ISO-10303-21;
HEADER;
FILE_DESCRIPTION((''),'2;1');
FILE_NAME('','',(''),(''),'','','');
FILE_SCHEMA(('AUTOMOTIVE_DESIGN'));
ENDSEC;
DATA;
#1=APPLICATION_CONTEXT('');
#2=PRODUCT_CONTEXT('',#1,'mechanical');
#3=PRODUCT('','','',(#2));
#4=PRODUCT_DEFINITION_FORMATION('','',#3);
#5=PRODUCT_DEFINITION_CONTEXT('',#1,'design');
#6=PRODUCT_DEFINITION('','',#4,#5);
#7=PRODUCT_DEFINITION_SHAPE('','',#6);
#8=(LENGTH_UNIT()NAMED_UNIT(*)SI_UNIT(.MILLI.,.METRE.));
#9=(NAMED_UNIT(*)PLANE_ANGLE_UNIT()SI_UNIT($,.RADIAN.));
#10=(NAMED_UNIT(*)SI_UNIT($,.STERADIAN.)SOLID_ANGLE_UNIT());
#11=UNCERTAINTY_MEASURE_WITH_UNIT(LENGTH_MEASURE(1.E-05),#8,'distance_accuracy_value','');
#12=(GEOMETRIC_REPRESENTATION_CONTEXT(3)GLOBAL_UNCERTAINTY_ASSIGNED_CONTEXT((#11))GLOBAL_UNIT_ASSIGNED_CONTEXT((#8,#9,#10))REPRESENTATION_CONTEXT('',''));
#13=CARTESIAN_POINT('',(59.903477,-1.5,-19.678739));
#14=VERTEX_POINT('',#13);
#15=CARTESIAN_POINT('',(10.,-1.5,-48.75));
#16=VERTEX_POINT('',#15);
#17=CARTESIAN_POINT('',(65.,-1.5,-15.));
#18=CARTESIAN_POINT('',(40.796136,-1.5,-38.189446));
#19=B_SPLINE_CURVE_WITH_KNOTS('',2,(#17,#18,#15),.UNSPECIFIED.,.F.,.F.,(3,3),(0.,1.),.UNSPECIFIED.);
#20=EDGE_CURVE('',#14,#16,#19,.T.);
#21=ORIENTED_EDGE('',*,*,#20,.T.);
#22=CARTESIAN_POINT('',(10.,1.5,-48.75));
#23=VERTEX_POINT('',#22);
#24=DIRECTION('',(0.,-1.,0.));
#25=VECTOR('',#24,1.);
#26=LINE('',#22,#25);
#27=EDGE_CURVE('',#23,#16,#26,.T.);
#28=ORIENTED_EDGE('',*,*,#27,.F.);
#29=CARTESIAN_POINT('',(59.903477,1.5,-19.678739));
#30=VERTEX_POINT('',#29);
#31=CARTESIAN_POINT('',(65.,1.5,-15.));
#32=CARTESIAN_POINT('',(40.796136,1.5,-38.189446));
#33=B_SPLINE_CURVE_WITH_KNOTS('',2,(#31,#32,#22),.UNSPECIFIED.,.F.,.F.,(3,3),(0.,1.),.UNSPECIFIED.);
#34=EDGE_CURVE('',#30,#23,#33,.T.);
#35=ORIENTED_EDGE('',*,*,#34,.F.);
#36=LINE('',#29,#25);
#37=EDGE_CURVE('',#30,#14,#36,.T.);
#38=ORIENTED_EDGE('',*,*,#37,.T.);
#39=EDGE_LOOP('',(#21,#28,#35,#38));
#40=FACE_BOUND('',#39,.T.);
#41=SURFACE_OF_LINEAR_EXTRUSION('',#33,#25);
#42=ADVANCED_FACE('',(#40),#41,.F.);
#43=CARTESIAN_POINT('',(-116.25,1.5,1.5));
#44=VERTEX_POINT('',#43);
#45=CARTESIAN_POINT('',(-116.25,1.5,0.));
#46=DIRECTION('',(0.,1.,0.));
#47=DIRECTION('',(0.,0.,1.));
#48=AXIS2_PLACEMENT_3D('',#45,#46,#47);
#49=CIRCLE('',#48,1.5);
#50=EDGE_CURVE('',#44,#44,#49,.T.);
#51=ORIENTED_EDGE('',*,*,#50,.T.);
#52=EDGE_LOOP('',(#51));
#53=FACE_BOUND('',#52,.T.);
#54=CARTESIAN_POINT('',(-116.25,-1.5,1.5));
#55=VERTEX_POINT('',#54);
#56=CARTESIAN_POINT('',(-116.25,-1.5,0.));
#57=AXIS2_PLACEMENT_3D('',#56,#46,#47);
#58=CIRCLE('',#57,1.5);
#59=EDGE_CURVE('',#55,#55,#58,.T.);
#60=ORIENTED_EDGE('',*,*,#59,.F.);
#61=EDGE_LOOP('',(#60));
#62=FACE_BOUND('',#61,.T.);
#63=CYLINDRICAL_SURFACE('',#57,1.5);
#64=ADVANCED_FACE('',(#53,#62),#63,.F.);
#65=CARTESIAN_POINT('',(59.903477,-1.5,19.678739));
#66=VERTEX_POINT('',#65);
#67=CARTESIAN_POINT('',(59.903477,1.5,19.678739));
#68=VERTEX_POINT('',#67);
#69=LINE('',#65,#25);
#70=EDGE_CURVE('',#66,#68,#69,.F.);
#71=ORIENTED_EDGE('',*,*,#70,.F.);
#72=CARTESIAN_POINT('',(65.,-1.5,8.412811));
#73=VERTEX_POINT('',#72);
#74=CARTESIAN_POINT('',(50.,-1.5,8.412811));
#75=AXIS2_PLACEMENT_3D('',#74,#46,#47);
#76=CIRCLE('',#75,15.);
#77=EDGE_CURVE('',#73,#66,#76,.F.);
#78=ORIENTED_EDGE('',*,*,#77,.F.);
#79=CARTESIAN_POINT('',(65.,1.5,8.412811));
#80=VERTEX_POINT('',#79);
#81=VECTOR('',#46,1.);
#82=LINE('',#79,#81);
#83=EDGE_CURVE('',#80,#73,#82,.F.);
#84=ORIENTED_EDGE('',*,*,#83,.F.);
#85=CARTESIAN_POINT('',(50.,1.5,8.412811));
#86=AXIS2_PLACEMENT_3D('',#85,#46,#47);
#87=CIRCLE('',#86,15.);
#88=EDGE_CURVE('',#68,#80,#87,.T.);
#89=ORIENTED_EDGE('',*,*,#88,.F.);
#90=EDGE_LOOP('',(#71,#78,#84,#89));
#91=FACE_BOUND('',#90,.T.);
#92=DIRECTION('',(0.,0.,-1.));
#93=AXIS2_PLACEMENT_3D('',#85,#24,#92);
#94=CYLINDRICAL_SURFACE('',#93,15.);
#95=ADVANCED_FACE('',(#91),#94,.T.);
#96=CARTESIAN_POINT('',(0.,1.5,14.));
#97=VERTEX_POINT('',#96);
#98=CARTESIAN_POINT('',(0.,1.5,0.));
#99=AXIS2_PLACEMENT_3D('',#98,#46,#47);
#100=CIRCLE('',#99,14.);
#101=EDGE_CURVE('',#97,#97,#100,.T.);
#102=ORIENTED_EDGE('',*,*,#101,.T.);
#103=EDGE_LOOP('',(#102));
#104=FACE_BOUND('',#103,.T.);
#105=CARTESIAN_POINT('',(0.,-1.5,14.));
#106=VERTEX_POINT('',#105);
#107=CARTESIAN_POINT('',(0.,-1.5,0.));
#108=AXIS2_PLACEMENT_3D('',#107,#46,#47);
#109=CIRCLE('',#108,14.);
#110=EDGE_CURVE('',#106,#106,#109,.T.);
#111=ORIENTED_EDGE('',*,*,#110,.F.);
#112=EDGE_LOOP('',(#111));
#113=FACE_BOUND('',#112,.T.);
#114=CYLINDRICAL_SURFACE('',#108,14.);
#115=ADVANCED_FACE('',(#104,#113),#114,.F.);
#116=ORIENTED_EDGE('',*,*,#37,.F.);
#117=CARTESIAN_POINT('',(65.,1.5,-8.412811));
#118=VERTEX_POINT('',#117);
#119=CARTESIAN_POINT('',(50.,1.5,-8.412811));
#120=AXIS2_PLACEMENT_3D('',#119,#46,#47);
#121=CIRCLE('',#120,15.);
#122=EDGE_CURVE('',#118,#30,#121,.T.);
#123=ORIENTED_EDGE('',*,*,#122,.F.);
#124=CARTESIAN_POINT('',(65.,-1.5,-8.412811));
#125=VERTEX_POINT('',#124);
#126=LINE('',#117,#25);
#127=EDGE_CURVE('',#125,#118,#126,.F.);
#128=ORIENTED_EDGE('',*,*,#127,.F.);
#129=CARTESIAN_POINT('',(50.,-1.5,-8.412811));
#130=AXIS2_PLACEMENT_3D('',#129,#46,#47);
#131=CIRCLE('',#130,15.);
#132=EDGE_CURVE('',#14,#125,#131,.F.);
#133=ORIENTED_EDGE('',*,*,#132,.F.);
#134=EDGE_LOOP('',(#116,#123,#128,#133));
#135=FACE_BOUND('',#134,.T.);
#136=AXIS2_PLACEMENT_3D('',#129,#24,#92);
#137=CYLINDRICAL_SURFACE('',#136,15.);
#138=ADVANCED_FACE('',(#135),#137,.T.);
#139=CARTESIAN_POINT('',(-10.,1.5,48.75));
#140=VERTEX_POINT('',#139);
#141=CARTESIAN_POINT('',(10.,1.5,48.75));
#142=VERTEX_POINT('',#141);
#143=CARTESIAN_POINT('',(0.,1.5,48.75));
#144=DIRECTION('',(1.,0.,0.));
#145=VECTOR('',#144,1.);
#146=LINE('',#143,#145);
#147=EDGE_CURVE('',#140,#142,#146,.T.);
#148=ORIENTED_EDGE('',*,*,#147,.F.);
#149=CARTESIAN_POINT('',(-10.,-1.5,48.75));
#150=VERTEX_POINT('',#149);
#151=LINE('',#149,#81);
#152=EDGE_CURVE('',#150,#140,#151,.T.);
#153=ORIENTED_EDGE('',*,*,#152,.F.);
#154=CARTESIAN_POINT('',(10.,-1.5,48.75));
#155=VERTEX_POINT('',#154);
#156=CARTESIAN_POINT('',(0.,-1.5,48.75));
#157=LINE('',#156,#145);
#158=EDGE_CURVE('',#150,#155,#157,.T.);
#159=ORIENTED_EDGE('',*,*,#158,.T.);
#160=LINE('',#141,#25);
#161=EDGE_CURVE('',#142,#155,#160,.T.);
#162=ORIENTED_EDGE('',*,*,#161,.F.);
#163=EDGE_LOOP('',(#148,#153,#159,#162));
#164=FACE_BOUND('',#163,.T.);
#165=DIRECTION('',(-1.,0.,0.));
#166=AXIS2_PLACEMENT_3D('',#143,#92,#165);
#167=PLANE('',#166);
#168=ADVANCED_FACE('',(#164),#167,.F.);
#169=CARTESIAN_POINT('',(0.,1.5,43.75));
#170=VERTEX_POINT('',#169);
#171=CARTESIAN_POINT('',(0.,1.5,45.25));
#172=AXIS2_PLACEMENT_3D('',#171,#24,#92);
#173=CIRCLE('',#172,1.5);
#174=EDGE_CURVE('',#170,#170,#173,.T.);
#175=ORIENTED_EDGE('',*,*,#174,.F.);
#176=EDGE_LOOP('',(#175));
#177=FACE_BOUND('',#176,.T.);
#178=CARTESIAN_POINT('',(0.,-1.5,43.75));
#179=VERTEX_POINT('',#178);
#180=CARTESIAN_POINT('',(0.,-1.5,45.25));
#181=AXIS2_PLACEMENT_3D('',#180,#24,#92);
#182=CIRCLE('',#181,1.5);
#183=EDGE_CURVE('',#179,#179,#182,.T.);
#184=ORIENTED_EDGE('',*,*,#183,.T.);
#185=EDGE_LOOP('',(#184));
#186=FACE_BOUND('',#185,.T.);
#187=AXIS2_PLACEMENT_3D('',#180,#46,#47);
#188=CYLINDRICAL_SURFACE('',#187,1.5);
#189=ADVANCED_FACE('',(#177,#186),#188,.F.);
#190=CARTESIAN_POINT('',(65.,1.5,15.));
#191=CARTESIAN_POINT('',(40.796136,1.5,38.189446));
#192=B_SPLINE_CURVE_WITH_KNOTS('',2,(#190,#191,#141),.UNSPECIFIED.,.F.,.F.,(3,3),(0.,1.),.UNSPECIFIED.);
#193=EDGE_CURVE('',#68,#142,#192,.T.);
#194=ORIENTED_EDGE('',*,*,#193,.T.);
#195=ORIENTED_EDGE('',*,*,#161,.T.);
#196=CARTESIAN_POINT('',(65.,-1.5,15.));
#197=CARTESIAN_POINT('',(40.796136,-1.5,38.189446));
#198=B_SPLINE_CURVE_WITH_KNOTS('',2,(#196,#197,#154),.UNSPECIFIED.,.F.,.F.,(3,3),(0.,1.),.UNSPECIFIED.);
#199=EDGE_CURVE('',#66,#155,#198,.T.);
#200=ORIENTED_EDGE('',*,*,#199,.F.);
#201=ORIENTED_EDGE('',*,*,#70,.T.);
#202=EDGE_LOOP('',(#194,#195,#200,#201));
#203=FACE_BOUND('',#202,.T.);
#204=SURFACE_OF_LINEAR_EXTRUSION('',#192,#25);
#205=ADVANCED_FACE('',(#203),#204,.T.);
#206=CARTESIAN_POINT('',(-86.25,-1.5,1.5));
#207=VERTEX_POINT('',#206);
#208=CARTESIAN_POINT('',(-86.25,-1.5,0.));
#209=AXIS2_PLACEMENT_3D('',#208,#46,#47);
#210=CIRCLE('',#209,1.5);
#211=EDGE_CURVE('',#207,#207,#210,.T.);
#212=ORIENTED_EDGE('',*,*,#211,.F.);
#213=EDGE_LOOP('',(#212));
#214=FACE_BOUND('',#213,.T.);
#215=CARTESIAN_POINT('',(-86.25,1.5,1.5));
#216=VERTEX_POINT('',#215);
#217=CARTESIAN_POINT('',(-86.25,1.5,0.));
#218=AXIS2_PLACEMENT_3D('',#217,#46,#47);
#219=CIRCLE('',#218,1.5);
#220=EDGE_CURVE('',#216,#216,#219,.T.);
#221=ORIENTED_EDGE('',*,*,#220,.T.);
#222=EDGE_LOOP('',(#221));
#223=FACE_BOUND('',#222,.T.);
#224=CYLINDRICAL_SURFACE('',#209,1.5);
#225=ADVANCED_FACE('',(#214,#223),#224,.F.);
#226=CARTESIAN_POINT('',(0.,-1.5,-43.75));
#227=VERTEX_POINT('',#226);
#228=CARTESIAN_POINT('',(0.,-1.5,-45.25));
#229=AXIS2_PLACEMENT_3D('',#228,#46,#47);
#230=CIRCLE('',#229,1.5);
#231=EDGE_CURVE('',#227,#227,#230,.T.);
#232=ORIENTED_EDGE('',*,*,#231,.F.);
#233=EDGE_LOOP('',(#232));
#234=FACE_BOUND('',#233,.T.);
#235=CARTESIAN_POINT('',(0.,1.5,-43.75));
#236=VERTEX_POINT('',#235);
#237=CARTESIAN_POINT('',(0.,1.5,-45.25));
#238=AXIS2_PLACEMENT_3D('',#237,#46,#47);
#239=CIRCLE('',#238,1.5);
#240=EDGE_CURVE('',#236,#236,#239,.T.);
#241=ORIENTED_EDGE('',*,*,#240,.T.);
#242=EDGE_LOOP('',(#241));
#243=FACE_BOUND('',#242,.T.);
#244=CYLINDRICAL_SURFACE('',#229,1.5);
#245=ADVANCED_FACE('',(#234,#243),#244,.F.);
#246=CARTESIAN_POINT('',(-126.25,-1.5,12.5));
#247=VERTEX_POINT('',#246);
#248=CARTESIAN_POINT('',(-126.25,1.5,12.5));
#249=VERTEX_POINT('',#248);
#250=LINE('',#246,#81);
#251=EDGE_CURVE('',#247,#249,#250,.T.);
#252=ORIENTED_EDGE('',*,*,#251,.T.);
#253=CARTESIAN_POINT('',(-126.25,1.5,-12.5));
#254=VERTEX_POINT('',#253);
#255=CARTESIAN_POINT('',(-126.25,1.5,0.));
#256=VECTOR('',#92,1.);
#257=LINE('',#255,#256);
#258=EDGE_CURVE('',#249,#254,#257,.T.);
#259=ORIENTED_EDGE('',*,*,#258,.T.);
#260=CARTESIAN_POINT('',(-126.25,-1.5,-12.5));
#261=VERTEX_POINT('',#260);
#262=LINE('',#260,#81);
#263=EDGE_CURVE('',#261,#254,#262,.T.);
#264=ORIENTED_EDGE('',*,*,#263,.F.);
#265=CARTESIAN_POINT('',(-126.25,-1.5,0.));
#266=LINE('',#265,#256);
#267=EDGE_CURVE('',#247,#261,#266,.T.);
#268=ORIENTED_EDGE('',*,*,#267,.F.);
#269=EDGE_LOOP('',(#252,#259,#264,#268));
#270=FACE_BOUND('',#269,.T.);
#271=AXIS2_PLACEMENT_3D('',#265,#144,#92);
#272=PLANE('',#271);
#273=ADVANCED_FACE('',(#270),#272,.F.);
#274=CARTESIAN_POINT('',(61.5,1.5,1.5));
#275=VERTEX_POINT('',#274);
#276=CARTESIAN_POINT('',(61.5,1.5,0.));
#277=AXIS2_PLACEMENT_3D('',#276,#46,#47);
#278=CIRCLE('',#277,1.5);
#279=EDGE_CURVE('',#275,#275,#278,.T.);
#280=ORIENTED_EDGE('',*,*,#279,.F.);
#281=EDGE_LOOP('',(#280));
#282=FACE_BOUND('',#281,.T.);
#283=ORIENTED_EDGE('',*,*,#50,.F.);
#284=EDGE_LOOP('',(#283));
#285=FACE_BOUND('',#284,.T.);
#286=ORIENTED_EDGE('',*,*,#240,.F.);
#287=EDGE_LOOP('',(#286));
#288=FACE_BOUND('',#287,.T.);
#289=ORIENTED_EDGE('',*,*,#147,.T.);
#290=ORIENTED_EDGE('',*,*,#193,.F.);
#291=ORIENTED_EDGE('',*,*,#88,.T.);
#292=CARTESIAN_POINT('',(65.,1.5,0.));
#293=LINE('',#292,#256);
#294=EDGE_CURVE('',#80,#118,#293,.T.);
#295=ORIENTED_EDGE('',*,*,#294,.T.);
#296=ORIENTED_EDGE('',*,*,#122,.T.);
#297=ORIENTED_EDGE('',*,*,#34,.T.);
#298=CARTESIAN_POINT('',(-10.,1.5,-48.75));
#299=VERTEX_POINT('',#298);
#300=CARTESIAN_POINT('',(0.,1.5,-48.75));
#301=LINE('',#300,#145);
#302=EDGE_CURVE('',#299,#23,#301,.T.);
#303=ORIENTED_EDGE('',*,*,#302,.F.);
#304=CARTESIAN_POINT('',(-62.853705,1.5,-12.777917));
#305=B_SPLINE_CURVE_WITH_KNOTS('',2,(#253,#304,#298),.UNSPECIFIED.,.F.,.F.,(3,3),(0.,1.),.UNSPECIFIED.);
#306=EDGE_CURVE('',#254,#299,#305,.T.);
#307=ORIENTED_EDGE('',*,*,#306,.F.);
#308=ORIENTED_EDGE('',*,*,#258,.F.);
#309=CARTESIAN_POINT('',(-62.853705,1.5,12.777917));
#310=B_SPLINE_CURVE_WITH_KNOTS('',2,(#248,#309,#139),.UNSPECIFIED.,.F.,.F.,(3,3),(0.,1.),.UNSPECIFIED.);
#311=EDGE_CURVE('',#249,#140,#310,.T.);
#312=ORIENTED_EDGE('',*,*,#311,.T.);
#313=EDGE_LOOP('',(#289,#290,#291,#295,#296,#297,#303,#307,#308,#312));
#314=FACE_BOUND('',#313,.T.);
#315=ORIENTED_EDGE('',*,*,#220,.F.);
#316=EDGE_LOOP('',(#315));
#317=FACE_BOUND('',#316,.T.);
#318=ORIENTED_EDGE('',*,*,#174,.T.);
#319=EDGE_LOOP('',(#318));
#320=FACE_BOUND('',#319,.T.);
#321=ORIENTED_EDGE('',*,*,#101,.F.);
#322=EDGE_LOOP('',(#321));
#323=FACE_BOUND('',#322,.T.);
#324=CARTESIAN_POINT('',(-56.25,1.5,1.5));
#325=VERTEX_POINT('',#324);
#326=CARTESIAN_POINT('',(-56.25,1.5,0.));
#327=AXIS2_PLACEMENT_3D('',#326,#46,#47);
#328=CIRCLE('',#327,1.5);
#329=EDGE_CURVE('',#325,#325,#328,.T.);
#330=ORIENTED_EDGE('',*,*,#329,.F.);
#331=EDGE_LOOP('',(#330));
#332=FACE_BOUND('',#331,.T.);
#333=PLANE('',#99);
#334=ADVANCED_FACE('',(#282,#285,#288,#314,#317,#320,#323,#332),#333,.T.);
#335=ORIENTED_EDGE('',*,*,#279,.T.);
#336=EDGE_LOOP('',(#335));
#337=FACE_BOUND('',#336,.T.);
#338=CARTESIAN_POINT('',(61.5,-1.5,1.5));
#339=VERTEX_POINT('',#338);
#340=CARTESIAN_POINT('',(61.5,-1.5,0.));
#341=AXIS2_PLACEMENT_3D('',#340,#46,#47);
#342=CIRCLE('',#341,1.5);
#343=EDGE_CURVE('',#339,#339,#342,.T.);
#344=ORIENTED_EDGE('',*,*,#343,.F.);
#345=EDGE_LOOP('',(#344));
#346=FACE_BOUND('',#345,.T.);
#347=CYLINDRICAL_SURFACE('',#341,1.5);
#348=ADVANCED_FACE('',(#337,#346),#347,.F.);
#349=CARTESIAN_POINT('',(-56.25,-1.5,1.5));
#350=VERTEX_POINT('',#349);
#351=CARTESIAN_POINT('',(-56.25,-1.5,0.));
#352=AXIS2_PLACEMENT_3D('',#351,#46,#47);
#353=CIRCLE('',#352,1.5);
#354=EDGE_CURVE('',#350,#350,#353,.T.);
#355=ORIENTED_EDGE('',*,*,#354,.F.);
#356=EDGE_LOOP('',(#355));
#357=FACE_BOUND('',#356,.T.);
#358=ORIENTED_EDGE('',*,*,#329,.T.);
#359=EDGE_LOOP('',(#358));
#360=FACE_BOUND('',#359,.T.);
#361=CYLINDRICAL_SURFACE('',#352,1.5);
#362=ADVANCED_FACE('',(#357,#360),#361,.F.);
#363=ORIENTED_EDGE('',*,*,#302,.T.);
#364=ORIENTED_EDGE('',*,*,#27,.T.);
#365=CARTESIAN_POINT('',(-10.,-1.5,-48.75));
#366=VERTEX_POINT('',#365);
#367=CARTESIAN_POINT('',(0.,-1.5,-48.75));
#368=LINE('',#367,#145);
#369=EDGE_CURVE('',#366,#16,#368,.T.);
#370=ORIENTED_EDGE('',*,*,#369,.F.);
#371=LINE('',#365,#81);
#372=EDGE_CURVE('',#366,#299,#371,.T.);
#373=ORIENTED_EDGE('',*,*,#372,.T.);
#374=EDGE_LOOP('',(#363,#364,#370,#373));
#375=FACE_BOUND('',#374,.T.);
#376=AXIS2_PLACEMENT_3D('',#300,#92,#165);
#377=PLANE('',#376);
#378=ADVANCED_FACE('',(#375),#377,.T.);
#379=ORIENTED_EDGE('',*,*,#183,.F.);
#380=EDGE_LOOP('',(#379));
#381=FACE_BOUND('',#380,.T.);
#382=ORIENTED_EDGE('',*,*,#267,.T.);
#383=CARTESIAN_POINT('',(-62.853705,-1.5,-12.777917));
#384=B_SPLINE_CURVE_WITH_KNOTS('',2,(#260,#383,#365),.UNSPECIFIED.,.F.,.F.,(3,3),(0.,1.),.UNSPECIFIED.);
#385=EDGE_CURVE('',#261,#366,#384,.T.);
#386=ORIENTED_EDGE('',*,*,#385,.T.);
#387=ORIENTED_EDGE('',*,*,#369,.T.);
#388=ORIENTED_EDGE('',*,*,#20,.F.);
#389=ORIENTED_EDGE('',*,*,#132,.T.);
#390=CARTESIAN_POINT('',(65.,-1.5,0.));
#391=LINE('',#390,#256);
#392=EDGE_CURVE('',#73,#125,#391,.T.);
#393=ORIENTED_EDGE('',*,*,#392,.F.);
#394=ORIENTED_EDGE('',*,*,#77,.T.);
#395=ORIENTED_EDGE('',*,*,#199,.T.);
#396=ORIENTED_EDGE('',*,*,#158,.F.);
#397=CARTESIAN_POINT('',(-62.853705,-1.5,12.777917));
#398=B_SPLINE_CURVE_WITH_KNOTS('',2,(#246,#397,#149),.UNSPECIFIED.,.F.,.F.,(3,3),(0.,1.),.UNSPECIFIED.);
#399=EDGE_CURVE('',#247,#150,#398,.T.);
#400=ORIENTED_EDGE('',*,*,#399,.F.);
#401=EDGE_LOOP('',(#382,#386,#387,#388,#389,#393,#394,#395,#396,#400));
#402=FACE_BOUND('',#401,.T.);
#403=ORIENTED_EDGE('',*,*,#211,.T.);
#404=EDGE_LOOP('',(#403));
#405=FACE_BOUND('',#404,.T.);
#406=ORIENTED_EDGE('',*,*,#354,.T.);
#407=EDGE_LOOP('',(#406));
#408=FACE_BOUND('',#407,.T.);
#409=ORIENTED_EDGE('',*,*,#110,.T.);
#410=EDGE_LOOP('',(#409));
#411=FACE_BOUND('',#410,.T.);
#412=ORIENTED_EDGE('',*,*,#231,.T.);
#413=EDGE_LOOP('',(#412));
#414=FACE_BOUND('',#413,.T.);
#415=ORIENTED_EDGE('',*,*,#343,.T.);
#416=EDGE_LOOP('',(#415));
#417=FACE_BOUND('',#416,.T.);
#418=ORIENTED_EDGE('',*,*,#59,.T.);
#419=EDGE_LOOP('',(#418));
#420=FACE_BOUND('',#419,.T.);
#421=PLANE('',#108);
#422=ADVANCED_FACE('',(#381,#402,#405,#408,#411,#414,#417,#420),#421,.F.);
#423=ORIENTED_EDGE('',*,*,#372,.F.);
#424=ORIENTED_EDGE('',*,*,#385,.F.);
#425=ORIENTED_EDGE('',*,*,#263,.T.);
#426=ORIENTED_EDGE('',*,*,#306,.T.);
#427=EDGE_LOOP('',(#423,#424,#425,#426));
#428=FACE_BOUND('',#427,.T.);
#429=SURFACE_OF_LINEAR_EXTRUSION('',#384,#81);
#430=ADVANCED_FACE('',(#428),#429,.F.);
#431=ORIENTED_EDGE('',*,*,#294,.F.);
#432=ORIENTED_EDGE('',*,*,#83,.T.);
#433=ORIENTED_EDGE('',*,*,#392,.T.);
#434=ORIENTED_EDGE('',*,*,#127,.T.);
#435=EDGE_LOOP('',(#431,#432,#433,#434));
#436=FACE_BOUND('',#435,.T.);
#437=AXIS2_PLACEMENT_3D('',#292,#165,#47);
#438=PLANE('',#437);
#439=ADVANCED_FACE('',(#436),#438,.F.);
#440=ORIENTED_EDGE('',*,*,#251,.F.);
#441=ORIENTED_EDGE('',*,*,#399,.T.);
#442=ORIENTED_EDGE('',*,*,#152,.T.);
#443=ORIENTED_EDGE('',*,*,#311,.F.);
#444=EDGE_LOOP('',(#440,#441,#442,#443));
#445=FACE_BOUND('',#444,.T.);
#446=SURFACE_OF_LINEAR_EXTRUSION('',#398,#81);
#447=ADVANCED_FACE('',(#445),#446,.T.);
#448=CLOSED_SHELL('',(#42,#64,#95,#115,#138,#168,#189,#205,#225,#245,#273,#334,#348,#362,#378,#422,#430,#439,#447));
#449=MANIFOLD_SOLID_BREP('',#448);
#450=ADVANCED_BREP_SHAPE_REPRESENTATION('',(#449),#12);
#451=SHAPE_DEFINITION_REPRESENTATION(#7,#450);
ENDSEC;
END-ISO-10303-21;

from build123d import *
from build123d.topology import SkipClean

# Parameters (mm, degrees)
BOSS_EXTRUDE1_DEPTH  = 1.5
SKETCH2_R            = 1.5
CUT_EXTRUDE1_DEPTH   = 82.305365895
FILLET1_R            = 15
FILLET1_OF_MIRROR2_R = 15
BOSS_EXTRUDE2_DEPTH  = 1.5
SKETCH4_R            = 14
CUT_EXTRUDE2_DEPTH   = 136.368478737


with BuildPart() as part:
    # Sketch1 → Boss-Extrude1 (new, symmetric)
    with BuildSketch(Plane(origin=(0, 0, 0), x_dir=(1, 0, 0), z_dir=(0, 1, 0))):
        with BuildLine():
            Line((0, 48.75), (0, 0))
            Line((0, 0), (65, 0))
            Line((65, 0), (65, 15))
            add(Edge.make_bspline(
                [(65, 15), (40.796135722, 38.189445994), (10, 48.75)],
                knots=[0, 0, 0, 1, 1, 1], degree=2))
            Line((10, 48.75), (0, 48.75))
        make_face()
    boss_extrude1 = extrude(amount=BOSS_EXTRUDE1_DEPTH, both=True)

    # Sketch2 → Cut-Extrude1 (cut, through all)
    with BuildSketch(Plane(origin=(0, 1.5, 0), x_dir=(1, 0, 0), z_dir=(0, 1, 0))):
        with Locations((0, 45.25)):
            Circle(SKETCH2_R)
        with Locations((61.5, 0)):
            Circle(SKETCH2_R)
    cut_extrude1 = extrude(amount=-CUT_EXTRUDE1_DEPTH, mode=Mode.SUBTRACT)

    # Fillet1
    fillet1_edges = [part.edges().sort_by_distance(p)[0] for p in [
        (65, 0.75, -15),
    ]]
    fillet(fillet1_edges, radius=FILLET1_R)

    # Mirror2: Boss-Extrude1, Cut-Extrude1 across plane
    with SkipClean():  # the faces are left unmerged after this step: merging them gives an invalid solid
        add(boss_extrude1.mirror(Plane.XY))
        add(cut_extrude1.mirror(Plane.XY), mode=Mode.SUBTRACT)

    # Fillet1 of Mirror2
    fillet1_of_mirror2_edges = [part.edges().sort_by_distance(p)[0] for p in [
        (65, 0.75, 15),
    ]]
    fillet(fillet1_of_mirror2_edges, radius=FILLET1_OF_MIRROR2_R)

    # Sketch3 → Boss-Extrude2 (add, symmetric)
    with BuildSketch(Plane(origin=(0, 0, 0), x_dir=(1, 0, 0), z_dir=(0, 1, 0))):
        with BuildLine():
            Line((0, 0), (0, 43.75))
            ThreePointArc((0, 43.75), (-1.5, 45.25), (0, 46.75))
            Line((0, 46.75), (0, 48.75))
            Line((0, 48.75), (-10, 48.75))
            add(Edge.make_bspline(
                [(-10, 48.75), (-62.853704869, 12.777917331), (-126.25, 12.5)],
                knots=[0.450666758, 0.450666758, 0.450666758, 1.450666758, 1.450666758, 1.450666758], degree=2))
            Line((-126.25, 12.5), (-126.25, 0))
            Line((-126.25, 0), (-117.75, 0))
            ThreePointArc((-117.75, 0), (-116.25, 1.5), (-114.75, 0))
            Line((-114.75, 0), (-87.75, 0))
            ThreePointArc((-87.75, 0), (-86.25, 1.5), (-84.75, 0))
            Line((-84.75, 0), (-57.75, 0))
            ThreePointArc((-57.75, 0), (-56.25, 1.5), (-54.75, 0))
            Line((-54.75, 0), (0, 0))
        make_face()
    boss_extrude2 = extrude(amount=BOSS_EXTRUDE2_DEPTH, both=True)

    # Mirror3: Boss-Extrude2 across plane
    with SkipClean():  # the faces are left unmerged after this step: merging them gives an invalid solid
        add(boss_extrude2.mirror(Plane.XY))

    # Sketch4 → Cut-Extrude2 (cut, through all)
    with BuildSketch(Plane(origin=(0, 1.5, 0), x_dir=(1, 0, 0), z_dir=(0, 1, 0))):
        Circle(SKETCH4_R)
    extrude(amount=-CUT_EXTRUDE2_DEPTH, mode=Mode.SUBTRACT)


solid = part.part
